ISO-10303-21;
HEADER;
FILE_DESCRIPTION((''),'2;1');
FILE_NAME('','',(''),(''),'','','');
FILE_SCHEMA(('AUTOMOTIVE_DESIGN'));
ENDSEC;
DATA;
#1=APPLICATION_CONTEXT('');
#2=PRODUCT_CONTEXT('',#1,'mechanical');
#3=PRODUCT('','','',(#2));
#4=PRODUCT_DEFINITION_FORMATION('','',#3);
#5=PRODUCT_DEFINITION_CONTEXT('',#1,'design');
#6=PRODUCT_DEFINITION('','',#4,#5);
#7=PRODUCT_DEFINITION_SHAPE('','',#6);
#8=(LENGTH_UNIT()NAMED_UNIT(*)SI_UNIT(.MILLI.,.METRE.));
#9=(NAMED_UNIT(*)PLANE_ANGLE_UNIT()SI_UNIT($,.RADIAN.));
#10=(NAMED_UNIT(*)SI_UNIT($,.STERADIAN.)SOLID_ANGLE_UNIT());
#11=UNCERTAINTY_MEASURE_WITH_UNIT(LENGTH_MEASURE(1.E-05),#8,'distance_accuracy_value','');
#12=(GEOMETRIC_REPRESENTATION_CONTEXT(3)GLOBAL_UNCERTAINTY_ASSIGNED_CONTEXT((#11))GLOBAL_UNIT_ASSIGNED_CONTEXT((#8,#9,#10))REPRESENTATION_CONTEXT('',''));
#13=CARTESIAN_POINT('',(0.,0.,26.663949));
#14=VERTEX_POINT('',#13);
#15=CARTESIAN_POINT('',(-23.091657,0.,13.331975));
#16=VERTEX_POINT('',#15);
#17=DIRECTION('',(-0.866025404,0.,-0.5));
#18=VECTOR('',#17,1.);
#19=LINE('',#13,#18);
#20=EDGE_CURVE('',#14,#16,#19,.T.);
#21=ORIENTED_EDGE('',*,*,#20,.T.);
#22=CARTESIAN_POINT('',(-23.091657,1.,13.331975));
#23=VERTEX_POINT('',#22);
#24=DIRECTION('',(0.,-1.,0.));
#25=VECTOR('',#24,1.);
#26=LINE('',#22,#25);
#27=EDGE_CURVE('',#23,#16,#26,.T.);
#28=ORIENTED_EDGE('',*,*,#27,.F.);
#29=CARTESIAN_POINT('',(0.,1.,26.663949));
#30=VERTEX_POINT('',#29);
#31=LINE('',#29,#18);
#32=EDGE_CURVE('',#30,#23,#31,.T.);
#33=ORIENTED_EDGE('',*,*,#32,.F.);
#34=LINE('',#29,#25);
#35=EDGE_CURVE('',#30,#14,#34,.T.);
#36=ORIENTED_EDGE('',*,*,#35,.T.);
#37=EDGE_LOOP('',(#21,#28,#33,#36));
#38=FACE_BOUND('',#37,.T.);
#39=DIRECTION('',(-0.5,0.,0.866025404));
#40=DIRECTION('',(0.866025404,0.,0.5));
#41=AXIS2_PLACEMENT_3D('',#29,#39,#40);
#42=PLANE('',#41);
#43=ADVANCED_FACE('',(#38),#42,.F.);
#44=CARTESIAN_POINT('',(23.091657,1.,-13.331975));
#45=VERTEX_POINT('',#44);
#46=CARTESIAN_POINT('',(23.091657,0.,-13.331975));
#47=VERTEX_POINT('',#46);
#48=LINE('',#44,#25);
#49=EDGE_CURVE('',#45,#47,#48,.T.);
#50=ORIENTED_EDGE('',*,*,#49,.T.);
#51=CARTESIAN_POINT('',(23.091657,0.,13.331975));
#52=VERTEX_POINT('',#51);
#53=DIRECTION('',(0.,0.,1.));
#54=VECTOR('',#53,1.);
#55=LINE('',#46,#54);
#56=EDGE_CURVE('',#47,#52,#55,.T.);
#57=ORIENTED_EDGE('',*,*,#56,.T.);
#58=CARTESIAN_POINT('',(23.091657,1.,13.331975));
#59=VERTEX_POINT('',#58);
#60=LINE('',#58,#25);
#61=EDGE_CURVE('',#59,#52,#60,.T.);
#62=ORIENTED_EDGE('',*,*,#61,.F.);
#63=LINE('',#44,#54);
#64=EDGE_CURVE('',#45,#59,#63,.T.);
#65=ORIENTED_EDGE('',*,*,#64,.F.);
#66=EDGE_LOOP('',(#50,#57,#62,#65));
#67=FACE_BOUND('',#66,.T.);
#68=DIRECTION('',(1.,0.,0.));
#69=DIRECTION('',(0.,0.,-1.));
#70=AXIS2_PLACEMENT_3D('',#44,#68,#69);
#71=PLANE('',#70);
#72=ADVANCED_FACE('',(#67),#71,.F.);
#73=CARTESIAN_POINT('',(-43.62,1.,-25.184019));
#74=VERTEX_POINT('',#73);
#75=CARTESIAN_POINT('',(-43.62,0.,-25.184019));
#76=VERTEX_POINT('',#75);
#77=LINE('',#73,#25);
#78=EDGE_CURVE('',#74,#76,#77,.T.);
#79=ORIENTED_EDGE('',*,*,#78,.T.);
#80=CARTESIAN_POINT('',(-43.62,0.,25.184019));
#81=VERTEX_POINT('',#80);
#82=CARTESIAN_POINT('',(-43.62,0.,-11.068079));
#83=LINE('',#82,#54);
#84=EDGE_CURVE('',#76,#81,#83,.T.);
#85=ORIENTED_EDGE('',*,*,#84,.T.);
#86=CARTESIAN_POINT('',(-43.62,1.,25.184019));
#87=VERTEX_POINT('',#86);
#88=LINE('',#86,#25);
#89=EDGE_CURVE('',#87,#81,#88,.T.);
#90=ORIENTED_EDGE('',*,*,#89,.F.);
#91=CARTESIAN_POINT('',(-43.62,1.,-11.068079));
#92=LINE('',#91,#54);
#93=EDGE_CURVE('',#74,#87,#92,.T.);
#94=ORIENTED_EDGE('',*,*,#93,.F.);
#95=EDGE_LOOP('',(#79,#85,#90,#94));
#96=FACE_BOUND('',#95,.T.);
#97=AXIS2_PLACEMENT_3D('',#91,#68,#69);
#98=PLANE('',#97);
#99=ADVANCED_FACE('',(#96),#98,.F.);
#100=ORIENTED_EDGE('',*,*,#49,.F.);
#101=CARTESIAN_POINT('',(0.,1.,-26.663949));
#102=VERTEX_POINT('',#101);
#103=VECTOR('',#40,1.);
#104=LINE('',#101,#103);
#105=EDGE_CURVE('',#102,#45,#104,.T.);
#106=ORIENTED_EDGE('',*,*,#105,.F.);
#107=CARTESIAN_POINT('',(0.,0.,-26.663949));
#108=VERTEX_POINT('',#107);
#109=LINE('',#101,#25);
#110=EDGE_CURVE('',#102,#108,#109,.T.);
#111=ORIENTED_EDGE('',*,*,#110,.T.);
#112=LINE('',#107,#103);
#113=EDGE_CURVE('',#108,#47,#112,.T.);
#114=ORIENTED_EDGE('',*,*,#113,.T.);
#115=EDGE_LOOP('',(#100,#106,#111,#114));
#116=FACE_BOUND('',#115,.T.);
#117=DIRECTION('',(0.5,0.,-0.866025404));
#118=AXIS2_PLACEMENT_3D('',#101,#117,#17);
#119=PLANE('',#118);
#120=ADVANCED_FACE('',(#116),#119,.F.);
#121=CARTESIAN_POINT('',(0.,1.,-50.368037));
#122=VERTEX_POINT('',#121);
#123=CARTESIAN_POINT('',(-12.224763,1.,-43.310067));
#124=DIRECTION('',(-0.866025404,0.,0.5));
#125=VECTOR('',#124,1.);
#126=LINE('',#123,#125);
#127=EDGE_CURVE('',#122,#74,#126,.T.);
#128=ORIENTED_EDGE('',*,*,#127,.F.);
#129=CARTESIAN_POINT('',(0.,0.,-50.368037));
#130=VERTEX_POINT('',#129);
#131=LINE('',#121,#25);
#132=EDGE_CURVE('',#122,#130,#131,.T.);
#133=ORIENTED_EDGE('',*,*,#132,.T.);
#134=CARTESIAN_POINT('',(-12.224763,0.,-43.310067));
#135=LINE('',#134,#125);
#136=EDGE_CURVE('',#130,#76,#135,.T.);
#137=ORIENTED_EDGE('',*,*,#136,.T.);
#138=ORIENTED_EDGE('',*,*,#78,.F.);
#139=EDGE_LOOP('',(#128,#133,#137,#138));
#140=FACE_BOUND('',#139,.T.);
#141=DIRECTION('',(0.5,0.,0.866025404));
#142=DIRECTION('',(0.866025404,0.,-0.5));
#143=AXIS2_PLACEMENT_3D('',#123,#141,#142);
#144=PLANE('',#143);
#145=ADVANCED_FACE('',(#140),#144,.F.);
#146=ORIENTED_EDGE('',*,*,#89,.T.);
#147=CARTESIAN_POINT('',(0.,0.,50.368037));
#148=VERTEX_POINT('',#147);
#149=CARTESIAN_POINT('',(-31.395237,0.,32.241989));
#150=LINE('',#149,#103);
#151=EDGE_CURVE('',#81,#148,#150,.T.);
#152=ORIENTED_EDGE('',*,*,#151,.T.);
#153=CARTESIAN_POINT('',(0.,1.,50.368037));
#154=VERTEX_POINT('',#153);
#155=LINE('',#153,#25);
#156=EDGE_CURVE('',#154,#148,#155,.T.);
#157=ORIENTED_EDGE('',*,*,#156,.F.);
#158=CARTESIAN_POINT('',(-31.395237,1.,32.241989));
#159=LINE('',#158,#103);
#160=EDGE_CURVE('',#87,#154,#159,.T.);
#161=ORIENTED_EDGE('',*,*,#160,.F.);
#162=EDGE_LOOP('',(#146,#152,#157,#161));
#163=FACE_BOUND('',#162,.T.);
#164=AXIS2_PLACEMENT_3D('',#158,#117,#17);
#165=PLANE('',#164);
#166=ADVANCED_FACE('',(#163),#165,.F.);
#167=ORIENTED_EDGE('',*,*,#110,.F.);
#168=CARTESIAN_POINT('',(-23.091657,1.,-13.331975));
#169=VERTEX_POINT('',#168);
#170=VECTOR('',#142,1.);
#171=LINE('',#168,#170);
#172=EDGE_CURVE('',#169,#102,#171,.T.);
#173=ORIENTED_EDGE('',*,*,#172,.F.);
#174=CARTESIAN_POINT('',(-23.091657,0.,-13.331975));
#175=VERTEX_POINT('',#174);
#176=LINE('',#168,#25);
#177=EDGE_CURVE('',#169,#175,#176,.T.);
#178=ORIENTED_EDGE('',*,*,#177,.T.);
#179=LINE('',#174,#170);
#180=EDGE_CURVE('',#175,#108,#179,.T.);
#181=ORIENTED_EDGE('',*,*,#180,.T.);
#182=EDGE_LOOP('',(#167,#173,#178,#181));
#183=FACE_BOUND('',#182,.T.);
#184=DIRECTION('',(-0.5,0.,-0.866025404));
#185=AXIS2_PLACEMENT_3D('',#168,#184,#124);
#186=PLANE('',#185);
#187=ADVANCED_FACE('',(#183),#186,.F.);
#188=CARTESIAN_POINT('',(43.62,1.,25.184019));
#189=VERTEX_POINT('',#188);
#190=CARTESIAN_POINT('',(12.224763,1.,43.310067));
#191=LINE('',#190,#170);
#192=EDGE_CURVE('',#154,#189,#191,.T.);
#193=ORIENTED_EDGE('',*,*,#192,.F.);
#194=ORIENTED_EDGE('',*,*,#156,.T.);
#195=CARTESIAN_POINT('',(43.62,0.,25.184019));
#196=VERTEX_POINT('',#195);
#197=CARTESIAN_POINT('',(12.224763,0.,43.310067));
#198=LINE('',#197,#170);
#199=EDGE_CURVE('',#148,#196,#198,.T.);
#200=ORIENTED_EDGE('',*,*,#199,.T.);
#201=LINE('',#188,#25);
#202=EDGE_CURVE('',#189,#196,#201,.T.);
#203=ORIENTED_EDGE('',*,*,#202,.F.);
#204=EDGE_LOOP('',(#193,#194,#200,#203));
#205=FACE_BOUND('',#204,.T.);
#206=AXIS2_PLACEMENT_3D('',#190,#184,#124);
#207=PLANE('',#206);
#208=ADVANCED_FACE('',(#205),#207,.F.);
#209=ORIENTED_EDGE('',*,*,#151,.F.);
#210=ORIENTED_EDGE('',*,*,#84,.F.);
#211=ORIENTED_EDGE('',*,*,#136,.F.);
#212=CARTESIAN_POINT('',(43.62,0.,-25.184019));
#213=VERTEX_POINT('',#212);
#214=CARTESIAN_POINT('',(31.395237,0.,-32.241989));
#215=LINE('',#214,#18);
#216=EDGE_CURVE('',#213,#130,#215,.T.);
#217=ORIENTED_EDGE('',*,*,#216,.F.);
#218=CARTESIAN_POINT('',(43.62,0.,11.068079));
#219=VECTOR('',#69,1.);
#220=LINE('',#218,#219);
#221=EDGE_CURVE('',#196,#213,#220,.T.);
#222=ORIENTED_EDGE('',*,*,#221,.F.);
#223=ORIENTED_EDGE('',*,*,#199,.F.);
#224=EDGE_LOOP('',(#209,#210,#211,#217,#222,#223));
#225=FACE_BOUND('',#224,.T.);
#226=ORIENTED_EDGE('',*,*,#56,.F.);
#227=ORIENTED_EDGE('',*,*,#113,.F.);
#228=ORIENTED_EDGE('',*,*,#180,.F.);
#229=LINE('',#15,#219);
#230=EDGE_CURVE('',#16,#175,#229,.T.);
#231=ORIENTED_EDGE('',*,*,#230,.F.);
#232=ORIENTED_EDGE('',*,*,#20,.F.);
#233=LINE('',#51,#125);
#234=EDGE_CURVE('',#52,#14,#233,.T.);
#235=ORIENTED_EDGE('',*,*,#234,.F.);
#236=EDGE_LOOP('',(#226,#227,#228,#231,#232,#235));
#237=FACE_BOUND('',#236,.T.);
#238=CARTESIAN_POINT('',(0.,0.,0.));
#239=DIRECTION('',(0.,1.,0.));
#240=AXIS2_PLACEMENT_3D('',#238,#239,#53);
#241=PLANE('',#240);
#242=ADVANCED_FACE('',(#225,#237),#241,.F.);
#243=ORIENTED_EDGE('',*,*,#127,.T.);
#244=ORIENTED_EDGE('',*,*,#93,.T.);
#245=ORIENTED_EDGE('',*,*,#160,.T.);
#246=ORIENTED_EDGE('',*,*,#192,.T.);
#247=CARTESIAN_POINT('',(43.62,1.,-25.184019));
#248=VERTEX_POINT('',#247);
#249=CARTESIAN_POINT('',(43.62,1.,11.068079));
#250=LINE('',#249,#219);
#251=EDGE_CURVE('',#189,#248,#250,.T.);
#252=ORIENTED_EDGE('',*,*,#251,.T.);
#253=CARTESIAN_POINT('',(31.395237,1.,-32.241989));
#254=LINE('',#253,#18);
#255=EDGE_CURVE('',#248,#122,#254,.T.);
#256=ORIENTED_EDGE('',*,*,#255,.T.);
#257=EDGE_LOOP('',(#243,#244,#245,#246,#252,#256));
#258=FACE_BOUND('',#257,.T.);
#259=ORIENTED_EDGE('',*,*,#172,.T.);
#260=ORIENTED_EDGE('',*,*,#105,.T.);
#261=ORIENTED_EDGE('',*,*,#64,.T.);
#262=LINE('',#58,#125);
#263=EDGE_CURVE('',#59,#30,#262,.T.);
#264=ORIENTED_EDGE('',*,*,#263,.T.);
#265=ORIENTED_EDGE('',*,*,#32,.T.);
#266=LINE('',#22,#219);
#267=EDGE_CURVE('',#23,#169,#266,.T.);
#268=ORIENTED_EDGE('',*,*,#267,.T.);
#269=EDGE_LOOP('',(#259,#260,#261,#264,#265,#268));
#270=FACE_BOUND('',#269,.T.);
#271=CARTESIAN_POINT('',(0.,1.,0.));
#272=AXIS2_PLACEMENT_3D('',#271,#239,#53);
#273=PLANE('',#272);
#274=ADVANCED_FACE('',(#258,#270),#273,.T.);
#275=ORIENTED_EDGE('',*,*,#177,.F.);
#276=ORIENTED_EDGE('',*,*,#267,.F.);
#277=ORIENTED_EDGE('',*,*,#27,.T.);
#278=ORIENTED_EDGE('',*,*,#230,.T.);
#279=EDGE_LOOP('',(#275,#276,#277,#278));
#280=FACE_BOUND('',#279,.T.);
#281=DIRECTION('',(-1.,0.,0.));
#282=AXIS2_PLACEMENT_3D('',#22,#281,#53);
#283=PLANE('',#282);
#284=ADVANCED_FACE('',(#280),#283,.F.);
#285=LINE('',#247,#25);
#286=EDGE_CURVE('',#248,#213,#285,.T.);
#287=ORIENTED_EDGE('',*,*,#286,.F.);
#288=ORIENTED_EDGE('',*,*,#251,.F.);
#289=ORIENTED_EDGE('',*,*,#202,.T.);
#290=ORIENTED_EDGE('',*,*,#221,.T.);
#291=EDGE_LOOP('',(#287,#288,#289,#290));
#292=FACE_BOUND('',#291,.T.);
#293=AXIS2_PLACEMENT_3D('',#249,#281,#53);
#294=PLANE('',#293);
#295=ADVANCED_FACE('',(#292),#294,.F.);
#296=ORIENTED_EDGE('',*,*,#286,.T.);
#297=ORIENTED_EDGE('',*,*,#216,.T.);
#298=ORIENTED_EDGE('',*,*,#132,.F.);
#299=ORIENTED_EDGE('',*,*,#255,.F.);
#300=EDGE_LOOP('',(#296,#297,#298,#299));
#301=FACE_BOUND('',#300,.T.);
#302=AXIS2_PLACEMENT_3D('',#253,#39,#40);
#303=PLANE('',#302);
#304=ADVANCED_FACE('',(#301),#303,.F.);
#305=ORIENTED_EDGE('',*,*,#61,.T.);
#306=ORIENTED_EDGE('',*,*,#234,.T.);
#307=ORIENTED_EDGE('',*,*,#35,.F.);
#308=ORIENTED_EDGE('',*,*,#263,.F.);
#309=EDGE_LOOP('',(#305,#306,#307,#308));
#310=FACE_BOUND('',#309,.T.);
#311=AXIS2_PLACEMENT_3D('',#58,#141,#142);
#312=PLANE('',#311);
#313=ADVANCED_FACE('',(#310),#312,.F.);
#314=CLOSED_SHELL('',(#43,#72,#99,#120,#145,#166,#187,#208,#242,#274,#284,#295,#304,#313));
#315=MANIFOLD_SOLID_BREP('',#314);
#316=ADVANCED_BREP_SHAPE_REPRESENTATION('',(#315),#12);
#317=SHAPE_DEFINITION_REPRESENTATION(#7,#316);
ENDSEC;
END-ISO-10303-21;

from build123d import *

# Parameters (mm, degrees)
RESSALTO_EXTRUS_O1_DEPTH = 1
CORTE_EXTRUS_O1_DEPTH    = 67.638154236


with BuildPart() as part:
    # Esboço1 → Ressalto-extrusão1 (new body)
    with BuildSketch(Plane(origin=(0, 0, 0), x_dir=(1, 0, 0), z_dir=(0, 1, 0))):
        Polygon((-43.62, 11.068078609), (-43.62, 25.184018742), (-12.224762753, 43.310067418), (0, 50.368037484), (31.395237247, 32.241988808), (43.62, 25.184018742), (43.62, -11.068078609), (43.62, -25.184018742), (12.224762753, -43.310067418), (0, -50.368037484), (-31.395237247, -32.241988808), (-43.62, -25.184018742), align=None)
    extrude(amount=RESSALTO_EXTRUS_O1_DEPTH)

    # Esboço2 → Corte-extrusão1 (cut, through all)
    with BuildSketch(Plane.XZ):
        Polygon((23.09165742, 13.331974628), (0, 26.663949255), (-23.09165742, 13.331974628), (-23.09165742, -13.331974628), (0, -26.663949255), (23.09165742, -13.331974628), align=None)
    extrude(amount=-CORTE_EXTRUS_O1_DEPTH, mode=Mode.SUBTRACT)


solid = part.part
